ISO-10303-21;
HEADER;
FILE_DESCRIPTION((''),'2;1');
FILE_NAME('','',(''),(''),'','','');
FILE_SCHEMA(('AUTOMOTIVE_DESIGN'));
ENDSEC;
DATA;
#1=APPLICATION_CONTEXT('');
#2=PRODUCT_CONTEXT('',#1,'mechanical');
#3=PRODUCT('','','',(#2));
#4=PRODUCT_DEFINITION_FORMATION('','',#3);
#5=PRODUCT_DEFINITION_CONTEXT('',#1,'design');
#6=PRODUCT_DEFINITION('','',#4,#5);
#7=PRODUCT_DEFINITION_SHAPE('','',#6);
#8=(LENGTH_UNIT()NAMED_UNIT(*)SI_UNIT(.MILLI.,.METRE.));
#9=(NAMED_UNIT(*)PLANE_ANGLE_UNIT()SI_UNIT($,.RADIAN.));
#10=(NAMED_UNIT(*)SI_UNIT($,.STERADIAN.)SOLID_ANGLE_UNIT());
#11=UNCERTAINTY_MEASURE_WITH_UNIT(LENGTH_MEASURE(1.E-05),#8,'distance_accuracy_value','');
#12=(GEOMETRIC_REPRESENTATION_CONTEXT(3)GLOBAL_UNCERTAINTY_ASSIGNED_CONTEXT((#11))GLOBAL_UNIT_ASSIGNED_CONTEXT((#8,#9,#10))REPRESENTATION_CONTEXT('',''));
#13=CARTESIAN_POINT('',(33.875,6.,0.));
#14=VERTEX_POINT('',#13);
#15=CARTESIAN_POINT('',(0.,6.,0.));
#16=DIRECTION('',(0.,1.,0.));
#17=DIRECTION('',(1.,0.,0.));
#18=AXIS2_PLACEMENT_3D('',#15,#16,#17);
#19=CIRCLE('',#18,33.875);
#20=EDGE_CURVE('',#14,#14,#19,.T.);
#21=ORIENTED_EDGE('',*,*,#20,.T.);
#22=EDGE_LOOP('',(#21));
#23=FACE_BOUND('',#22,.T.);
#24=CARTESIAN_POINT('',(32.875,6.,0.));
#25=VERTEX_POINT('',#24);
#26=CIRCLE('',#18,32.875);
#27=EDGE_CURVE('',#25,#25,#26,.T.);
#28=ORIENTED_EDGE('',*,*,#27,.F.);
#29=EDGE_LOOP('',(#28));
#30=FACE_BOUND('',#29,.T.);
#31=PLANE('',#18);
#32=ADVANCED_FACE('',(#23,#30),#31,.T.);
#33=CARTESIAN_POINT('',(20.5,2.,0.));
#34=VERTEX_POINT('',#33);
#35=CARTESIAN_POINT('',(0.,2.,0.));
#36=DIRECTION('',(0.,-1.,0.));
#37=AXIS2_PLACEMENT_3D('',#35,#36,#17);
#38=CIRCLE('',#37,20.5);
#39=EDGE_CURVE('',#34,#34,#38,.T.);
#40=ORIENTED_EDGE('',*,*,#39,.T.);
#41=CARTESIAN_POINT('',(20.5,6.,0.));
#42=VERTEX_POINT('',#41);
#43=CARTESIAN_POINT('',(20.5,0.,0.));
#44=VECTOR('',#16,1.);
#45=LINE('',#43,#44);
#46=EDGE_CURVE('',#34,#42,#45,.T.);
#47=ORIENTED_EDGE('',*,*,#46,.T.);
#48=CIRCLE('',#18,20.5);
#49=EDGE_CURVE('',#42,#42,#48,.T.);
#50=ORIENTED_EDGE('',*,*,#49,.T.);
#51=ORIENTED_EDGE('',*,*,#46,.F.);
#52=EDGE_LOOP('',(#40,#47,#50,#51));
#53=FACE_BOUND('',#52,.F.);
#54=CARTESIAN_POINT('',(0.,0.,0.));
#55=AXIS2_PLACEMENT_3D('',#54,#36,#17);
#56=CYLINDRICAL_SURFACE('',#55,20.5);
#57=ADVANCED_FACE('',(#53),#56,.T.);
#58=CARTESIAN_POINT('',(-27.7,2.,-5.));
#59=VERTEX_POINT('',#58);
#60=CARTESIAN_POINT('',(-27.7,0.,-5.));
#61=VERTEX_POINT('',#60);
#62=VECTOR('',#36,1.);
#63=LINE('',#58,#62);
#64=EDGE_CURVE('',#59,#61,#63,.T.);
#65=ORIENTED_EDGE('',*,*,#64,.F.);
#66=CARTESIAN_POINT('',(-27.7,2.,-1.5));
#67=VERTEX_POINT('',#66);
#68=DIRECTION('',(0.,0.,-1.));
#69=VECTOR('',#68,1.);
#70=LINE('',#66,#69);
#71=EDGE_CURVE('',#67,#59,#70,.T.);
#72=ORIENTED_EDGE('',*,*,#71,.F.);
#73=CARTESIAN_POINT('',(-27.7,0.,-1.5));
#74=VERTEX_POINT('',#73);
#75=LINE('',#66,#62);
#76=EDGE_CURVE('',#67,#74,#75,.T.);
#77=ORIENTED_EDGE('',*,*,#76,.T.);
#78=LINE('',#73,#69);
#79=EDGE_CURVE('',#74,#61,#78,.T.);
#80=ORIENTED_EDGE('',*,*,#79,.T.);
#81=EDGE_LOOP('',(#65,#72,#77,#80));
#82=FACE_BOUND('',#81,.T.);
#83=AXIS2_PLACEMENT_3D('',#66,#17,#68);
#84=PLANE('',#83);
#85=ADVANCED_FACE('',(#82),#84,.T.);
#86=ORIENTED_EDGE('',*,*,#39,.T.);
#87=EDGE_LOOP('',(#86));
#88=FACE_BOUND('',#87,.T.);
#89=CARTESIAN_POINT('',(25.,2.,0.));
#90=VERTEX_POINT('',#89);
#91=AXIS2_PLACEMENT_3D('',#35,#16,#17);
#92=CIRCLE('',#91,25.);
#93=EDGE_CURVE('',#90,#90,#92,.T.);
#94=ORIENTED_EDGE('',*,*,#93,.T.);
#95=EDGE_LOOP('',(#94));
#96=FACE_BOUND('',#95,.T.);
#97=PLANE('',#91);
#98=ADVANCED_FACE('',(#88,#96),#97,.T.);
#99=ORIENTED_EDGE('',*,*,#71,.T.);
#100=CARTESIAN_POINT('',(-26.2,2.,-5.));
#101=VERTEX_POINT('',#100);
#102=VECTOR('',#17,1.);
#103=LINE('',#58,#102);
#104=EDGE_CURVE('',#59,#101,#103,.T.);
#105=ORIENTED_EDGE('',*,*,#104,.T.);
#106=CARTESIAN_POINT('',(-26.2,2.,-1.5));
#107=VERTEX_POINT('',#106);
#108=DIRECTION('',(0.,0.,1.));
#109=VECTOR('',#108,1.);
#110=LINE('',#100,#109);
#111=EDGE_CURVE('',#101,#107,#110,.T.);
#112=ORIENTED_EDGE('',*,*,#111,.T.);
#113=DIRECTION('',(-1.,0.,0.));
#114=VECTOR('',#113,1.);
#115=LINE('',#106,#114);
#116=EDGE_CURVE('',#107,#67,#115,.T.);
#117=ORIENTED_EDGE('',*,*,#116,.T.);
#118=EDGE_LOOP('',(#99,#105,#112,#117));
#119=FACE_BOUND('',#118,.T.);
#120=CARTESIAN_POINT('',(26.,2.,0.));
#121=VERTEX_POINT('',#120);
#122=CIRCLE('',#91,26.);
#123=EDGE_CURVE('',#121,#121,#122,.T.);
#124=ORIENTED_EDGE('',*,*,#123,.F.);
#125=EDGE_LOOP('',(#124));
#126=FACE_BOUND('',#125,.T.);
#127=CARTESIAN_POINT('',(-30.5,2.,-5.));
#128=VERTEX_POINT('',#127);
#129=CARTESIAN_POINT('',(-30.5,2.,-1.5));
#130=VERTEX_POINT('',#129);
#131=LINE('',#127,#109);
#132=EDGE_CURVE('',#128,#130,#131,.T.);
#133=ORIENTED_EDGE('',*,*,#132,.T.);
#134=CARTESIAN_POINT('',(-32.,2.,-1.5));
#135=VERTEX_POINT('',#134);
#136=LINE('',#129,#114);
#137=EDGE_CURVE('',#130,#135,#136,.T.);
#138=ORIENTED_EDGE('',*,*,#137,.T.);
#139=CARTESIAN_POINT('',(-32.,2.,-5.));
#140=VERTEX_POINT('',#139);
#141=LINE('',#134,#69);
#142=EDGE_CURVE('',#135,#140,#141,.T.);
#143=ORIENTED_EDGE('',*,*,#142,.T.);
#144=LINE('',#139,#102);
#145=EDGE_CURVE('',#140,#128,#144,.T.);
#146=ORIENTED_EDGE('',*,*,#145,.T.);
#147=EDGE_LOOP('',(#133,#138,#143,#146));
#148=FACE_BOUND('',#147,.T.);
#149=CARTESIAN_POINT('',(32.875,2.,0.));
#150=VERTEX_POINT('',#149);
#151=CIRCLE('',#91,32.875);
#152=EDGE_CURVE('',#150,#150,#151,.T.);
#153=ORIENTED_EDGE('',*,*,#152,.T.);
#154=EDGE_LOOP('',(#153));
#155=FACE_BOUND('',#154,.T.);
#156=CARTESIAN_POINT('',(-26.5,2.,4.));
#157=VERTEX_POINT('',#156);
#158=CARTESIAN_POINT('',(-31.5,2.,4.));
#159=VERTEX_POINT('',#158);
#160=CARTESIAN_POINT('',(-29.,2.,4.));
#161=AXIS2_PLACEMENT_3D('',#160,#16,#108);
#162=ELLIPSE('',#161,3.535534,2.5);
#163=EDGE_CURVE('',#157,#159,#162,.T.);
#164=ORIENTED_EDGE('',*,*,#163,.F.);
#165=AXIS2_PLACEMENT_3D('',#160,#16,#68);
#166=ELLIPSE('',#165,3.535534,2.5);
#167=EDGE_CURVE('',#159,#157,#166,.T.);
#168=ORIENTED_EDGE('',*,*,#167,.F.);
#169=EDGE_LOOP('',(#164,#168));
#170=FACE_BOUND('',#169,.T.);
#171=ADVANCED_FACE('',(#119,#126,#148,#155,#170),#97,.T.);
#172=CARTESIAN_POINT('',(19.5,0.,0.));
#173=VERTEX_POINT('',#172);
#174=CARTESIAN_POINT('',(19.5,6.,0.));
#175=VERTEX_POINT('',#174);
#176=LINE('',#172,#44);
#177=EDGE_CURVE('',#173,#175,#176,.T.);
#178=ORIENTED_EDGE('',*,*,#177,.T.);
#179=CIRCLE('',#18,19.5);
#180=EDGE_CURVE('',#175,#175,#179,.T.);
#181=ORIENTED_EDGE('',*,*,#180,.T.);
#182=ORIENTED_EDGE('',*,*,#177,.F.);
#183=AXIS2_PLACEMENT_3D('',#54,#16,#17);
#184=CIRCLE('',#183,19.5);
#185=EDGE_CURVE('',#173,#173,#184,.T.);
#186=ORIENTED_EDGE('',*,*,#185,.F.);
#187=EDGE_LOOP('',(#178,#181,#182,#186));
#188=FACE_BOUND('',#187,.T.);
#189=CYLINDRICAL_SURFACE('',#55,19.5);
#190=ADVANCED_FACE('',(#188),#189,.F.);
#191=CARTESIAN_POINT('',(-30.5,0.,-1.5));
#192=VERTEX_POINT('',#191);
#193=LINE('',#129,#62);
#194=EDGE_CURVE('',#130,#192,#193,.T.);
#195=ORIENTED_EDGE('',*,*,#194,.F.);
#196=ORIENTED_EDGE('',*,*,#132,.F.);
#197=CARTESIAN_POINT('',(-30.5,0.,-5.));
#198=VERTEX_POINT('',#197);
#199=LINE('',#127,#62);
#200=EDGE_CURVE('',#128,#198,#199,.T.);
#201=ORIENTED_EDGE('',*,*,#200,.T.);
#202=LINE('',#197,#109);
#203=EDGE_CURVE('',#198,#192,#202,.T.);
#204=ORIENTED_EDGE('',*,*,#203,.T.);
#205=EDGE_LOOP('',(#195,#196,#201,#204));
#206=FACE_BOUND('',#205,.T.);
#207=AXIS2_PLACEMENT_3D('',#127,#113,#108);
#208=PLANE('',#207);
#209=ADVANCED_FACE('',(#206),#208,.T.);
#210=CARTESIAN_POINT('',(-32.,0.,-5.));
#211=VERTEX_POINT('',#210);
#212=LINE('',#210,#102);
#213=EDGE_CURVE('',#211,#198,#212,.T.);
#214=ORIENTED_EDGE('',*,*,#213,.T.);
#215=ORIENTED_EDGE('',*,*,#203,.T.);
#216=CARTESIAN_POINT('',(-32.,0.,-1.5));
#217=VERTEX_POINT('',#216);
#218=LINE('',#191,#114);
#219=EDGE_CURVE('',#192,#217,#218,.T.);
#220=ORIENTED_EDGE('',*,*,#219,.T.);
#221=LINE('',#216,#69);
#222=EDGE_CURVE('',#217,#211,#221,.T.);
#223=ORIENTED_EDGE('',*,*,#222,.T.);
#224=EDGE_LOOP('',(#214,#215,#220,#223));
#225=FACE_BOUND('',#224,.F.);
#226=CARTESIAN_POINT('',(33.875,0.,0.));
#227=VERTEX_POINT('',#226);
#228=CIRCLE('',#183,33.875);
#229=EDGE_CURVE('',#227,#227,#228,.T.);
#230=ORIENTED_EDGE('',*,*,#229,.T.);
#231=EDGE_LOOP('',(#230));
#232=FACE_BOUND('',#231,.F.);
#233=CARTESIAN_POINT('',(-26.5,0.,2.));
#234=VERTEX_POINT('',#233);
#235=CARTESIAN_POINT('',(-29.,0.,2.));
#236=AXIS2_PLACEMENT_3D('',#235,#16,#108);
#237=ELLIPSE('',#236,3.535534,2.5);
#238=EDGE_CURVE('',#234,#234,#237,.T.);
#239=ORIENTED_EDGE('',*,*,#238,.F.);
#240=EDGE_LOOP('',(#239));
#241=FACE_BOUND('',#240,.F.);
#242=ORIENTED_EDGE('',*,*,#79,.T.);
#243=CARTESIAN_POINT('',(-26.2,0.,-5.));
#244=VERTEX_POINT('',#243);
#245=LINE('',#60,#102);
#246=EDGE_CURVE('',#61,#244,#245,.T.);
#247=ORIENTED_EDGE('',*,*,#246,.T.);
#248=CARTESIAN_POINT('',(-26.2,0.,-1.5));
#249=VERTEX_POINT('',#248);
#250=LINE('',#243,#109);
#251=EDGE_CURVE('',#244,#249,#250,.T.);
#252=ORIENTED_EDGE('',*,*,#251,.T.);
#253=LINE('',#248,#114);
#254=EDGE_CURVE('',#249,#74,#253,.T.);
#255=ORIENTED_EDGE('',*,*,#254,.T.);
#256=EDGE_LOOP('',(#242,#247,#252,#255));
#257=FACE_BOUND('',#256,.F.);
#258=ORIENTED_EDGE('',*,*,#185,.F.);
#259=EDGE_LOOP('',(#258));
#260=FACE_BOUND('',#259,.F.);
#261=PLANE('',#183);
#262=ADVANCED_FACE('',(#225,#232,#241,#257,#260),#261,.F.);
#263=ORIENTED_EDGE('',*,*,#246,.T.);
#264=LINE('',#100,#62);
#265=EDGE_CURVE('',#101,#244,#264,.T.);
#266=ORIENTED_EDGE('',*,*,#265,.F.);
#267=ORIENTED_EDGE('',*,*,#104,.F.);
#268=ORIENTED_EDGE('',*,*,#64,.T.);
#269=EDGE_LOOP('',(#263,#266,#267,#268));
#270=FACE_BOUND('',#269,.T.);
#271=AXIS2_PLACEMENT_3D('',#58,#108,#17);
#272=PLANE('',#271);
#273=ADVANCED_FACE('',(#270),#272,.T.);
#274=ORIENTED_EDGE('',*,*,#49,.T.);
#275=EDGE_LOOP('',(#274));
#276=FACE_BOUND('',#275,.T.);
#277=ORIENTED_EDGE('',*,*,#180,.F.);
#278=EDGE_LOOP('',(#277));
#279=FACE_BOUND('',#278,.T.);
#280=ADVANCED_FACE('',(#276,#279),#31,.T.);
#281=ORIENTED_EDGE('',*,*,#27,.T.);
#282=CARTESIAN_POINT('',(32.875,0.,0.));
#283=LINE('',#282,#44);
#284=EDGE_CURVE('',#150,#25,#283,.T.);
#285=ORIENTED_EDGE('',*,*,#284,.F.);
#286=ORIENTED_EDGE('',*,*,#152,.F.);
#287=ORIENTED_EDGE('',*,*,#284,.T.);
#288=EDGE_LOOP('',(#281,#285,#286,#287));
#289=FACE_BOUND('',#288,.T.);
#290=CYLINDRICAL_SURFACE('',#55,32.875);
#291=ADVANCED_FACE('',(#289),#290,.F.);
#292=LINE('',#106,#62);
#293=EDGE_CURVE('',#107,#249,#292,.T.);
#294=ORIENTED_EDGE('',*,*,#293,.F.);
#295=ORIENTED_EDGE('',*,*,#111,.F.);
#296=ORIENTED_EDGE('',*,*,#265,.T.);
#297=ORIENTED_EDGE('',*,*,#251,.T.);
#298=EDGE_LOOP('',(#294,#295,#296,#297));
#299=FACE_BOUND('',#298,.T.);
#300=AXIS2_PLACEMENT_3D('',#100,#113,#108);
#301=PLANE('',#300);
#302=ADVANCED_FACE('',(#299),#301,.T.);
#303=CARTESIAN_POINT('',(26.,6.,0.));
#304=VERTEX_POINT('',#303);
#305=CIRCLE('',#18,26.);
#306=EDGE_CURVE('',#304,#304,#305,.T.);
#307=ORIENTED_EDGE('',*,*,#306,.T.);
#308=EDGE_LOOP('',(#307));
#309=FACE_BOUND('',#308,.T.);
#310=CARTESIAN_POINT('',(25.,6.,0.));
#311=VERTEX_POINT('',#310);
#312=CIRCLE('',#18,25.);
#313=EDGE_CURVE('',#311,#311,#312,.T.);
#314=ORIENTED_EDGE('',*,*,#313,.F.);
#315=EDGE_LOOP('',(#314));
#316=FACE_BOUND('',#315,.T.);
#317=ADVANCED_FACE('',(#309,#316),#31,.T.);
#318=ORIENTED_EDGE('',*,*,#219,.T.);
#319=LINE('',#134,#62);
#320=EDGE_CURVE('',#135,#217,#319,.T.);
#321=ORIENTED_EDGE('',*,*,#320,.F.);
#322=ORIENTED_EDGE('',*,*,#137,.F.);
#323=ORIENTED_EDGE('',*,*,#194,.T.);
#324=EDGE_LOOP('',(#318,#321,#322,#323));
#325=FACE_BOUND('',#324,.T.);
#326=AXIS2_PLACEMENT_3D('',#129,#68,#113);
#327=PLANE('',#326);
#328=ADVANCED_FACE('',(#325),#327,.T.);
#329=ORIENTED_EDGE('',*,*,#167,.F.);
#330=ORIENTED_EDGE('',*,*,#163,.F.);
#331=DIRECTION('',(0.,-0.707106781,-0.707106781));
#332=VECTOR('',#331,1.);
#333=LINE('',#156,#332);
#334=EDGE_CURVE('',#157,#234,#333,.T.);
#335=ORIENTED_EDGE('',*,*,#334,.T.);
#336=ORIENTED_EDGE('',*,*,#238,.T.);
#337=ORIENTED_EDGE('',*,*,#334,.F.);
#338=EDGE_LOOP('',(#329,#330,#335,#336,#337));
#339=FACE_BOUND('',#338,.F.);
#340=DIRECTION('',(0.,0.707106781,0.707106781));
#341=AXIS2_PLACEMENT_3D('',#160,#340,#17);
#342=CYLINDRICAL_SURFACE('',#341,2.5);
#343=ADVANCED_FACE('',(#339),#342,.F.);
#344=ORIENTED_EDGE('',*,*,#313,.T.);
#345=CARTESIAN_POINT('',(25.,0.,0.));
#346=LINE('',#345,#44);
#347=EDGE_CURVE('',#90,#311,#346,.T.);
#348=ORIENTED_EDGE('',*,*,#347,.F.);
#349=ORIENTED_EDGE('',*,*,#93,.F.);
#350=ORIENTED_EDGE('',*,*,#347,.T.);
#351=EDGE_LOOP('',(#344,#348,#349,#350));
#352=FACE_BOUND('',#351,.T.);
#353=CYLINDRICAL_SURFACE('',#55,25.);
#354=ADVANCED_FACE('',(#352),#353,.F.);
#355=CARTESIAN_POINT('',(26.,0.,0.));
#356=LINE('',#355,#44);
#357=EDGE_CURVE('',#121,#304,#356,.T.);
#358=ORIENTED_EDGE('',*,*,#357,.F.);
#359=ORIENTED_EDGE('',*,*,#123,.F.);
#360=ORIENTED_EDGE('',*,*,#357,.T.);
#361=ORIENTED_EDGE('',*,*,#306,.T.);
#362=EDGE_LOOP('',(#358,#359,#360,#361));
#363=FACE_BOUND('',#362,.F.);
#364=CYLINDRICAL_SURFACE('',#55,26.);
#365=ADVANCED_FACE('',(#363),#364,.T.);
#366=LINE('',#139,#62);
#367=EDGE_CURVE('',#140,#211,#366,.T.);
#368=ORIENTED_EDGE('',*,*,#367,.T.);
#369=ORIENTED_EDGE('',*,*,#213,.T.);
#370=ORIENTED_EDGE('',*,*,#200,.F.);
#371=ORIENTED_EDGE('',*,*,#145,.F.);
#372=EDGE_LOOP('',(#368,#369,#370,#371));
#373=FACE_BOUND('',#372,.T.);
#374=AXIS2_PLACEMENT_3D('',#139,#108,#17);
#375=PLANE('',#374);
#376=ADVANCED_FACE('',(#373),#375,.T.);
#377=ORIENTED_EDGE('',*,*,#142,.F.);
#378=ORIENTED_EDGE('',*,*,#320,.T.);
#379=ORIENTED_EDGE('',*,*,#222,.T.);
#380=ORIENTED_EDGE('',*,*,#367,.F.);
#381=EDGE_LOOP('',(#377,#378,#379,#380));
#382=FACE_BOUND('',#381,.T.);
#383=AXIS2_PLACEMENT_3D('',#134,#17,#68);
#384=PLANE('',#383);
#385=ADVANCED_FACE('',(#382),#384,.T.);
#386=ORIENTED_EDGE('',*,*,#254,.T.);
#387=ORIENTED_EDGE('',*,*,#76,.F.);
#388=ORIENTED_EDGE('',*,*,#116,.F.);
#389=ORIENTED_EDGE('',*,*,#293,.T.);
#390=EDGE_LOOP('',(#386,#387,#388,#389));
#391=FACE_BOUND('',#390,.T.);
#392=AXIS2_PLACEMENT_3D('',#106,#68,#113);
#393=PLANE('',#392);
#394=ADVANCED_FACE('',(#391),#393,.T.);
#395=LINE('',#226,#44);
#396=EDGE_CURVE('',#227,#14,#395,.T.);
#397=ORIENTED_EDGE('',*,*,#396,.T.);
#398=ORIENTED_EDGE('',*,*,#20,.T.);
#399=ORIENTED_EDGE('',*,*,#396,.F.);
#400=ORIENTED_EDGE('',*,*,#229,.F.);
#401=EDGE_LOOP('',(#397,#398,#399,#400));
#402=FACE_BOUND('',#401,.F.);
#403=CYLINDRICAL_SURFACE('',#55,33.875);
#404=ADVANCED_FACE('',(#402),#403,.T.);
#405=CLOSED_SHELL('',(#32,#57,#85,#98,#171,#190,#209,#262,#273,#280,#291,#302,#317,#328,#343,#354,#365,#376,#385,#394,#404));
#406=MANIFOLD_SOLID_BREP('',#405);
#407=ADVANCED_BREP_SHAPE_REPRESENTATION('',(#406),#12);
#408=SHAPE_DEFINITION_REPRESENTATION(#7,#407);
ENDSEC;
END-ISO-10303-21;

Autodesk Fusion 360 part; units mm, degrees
sketch "Sketch1" plane through (0, 0, 0) normal (0, 1, 0) x (1, 0, 0)
  circle A0 centre (0, 0) radius 26
  circle A1 centre (0, 0) radius 32.875
  circle A2 centre (0, 0) radius 25
  circle A3 centre (0, 0) radius 33.875
  circle A4 centre (0, 0) radius 19.5
  circle A5 centre (0, 0) radius 20.5
  dimension "d1" = 67.75
  dimension "d2" = 50
  dimension "d3" = 52
  dimension "d4" = 65.75
  dimension "d10" = 39
  dimension "d25" = 41
extrude "Extrude1" add sketch "Sketch1" along normal blind 2 contours A1 | A2 | A5 makes body 1 at (30.3641, 0, 2.925) makes body 2 at (23.0736, 0, 1.242)
extrude "Extrude2" add sketch "Sketch1" along normal blind 6 bodies 2 1
sketch "Sketch2" plane through (0, 2, 0) normal (0, 1, 0) x (-1, 0, 0)
  circle A0 centre (0, 0) radius 26
  circle A1 centre (0, 0) radius 32.875
  line L0 (32, -5) -> (30.5, -5)
  line L1 (30.5, -5) -> (30.5, -1.5)
  line L2 (30.5, -1.5) -> (32, -1.5)
  line L3 (32, -1.5) -> (32, -5)
  line L4 (26.2, -1.5) -> (27.7, -1.5)
  line L5 (27.7, -1.5) -> (27.7, -5)
  line L6 (27.7, -5) -> (26.2, -5)
  line L7 (26.2, -5) -> (26.2, -1.5)
  line L8 (32, 4) -> (26, 4)
  dimension "d13" = 1.5
  dimension "d14" = 3.5
  dimension "d15" = 1.5
  dimension "d16" = 3.5
extrude "Extrude3" cut sketch "Sketch2" against normal blind 2 contours L0 L1 L2 L3 | L4 L5 L6 L7 bodies 2
ref_plane "WorkPlane1" through (-29, 2, 4) normal (0, 0.7071, 0.7071) x (1, 0, 0)
sketch "Sketch4" plane through (-29, 2, 4) normal (0, 0.7071, 0.7071) x (1, 0, 0)
  circle A0 centre (0, 0) radius 2.5
  dimension "d20" = 5
extrude "Extrude4" cut sketch "Sketch4" along normal blind 10 and the other way blind 10 bodies 2
sketch "Sketch3" plane through (0, 2, 0) normal (0, 1, 0) x (-1, 0, 0)
  line L0 (30.5, -4) -> (30.5, -0.5)
  line L1 (30.5, -0.5) -> (32, -0.5)
  line L2 (32, -0.5) -> (32, -4)
  line L3 (32, -4) -> (30.5, -4)
  line L4 (27.7, -0.5) -> (27.7, -4)
  line L5 (27.7, -4) -> (26.2, -4)
  line L6 (26.2, -4) -> (26.2, -0.5)
  line L7 (26.2, -0.5) -> (27.7, -0.5)
  circle A0 centre (0, 0) radius 26
  circle A1 centre (0, 0) radius 33
